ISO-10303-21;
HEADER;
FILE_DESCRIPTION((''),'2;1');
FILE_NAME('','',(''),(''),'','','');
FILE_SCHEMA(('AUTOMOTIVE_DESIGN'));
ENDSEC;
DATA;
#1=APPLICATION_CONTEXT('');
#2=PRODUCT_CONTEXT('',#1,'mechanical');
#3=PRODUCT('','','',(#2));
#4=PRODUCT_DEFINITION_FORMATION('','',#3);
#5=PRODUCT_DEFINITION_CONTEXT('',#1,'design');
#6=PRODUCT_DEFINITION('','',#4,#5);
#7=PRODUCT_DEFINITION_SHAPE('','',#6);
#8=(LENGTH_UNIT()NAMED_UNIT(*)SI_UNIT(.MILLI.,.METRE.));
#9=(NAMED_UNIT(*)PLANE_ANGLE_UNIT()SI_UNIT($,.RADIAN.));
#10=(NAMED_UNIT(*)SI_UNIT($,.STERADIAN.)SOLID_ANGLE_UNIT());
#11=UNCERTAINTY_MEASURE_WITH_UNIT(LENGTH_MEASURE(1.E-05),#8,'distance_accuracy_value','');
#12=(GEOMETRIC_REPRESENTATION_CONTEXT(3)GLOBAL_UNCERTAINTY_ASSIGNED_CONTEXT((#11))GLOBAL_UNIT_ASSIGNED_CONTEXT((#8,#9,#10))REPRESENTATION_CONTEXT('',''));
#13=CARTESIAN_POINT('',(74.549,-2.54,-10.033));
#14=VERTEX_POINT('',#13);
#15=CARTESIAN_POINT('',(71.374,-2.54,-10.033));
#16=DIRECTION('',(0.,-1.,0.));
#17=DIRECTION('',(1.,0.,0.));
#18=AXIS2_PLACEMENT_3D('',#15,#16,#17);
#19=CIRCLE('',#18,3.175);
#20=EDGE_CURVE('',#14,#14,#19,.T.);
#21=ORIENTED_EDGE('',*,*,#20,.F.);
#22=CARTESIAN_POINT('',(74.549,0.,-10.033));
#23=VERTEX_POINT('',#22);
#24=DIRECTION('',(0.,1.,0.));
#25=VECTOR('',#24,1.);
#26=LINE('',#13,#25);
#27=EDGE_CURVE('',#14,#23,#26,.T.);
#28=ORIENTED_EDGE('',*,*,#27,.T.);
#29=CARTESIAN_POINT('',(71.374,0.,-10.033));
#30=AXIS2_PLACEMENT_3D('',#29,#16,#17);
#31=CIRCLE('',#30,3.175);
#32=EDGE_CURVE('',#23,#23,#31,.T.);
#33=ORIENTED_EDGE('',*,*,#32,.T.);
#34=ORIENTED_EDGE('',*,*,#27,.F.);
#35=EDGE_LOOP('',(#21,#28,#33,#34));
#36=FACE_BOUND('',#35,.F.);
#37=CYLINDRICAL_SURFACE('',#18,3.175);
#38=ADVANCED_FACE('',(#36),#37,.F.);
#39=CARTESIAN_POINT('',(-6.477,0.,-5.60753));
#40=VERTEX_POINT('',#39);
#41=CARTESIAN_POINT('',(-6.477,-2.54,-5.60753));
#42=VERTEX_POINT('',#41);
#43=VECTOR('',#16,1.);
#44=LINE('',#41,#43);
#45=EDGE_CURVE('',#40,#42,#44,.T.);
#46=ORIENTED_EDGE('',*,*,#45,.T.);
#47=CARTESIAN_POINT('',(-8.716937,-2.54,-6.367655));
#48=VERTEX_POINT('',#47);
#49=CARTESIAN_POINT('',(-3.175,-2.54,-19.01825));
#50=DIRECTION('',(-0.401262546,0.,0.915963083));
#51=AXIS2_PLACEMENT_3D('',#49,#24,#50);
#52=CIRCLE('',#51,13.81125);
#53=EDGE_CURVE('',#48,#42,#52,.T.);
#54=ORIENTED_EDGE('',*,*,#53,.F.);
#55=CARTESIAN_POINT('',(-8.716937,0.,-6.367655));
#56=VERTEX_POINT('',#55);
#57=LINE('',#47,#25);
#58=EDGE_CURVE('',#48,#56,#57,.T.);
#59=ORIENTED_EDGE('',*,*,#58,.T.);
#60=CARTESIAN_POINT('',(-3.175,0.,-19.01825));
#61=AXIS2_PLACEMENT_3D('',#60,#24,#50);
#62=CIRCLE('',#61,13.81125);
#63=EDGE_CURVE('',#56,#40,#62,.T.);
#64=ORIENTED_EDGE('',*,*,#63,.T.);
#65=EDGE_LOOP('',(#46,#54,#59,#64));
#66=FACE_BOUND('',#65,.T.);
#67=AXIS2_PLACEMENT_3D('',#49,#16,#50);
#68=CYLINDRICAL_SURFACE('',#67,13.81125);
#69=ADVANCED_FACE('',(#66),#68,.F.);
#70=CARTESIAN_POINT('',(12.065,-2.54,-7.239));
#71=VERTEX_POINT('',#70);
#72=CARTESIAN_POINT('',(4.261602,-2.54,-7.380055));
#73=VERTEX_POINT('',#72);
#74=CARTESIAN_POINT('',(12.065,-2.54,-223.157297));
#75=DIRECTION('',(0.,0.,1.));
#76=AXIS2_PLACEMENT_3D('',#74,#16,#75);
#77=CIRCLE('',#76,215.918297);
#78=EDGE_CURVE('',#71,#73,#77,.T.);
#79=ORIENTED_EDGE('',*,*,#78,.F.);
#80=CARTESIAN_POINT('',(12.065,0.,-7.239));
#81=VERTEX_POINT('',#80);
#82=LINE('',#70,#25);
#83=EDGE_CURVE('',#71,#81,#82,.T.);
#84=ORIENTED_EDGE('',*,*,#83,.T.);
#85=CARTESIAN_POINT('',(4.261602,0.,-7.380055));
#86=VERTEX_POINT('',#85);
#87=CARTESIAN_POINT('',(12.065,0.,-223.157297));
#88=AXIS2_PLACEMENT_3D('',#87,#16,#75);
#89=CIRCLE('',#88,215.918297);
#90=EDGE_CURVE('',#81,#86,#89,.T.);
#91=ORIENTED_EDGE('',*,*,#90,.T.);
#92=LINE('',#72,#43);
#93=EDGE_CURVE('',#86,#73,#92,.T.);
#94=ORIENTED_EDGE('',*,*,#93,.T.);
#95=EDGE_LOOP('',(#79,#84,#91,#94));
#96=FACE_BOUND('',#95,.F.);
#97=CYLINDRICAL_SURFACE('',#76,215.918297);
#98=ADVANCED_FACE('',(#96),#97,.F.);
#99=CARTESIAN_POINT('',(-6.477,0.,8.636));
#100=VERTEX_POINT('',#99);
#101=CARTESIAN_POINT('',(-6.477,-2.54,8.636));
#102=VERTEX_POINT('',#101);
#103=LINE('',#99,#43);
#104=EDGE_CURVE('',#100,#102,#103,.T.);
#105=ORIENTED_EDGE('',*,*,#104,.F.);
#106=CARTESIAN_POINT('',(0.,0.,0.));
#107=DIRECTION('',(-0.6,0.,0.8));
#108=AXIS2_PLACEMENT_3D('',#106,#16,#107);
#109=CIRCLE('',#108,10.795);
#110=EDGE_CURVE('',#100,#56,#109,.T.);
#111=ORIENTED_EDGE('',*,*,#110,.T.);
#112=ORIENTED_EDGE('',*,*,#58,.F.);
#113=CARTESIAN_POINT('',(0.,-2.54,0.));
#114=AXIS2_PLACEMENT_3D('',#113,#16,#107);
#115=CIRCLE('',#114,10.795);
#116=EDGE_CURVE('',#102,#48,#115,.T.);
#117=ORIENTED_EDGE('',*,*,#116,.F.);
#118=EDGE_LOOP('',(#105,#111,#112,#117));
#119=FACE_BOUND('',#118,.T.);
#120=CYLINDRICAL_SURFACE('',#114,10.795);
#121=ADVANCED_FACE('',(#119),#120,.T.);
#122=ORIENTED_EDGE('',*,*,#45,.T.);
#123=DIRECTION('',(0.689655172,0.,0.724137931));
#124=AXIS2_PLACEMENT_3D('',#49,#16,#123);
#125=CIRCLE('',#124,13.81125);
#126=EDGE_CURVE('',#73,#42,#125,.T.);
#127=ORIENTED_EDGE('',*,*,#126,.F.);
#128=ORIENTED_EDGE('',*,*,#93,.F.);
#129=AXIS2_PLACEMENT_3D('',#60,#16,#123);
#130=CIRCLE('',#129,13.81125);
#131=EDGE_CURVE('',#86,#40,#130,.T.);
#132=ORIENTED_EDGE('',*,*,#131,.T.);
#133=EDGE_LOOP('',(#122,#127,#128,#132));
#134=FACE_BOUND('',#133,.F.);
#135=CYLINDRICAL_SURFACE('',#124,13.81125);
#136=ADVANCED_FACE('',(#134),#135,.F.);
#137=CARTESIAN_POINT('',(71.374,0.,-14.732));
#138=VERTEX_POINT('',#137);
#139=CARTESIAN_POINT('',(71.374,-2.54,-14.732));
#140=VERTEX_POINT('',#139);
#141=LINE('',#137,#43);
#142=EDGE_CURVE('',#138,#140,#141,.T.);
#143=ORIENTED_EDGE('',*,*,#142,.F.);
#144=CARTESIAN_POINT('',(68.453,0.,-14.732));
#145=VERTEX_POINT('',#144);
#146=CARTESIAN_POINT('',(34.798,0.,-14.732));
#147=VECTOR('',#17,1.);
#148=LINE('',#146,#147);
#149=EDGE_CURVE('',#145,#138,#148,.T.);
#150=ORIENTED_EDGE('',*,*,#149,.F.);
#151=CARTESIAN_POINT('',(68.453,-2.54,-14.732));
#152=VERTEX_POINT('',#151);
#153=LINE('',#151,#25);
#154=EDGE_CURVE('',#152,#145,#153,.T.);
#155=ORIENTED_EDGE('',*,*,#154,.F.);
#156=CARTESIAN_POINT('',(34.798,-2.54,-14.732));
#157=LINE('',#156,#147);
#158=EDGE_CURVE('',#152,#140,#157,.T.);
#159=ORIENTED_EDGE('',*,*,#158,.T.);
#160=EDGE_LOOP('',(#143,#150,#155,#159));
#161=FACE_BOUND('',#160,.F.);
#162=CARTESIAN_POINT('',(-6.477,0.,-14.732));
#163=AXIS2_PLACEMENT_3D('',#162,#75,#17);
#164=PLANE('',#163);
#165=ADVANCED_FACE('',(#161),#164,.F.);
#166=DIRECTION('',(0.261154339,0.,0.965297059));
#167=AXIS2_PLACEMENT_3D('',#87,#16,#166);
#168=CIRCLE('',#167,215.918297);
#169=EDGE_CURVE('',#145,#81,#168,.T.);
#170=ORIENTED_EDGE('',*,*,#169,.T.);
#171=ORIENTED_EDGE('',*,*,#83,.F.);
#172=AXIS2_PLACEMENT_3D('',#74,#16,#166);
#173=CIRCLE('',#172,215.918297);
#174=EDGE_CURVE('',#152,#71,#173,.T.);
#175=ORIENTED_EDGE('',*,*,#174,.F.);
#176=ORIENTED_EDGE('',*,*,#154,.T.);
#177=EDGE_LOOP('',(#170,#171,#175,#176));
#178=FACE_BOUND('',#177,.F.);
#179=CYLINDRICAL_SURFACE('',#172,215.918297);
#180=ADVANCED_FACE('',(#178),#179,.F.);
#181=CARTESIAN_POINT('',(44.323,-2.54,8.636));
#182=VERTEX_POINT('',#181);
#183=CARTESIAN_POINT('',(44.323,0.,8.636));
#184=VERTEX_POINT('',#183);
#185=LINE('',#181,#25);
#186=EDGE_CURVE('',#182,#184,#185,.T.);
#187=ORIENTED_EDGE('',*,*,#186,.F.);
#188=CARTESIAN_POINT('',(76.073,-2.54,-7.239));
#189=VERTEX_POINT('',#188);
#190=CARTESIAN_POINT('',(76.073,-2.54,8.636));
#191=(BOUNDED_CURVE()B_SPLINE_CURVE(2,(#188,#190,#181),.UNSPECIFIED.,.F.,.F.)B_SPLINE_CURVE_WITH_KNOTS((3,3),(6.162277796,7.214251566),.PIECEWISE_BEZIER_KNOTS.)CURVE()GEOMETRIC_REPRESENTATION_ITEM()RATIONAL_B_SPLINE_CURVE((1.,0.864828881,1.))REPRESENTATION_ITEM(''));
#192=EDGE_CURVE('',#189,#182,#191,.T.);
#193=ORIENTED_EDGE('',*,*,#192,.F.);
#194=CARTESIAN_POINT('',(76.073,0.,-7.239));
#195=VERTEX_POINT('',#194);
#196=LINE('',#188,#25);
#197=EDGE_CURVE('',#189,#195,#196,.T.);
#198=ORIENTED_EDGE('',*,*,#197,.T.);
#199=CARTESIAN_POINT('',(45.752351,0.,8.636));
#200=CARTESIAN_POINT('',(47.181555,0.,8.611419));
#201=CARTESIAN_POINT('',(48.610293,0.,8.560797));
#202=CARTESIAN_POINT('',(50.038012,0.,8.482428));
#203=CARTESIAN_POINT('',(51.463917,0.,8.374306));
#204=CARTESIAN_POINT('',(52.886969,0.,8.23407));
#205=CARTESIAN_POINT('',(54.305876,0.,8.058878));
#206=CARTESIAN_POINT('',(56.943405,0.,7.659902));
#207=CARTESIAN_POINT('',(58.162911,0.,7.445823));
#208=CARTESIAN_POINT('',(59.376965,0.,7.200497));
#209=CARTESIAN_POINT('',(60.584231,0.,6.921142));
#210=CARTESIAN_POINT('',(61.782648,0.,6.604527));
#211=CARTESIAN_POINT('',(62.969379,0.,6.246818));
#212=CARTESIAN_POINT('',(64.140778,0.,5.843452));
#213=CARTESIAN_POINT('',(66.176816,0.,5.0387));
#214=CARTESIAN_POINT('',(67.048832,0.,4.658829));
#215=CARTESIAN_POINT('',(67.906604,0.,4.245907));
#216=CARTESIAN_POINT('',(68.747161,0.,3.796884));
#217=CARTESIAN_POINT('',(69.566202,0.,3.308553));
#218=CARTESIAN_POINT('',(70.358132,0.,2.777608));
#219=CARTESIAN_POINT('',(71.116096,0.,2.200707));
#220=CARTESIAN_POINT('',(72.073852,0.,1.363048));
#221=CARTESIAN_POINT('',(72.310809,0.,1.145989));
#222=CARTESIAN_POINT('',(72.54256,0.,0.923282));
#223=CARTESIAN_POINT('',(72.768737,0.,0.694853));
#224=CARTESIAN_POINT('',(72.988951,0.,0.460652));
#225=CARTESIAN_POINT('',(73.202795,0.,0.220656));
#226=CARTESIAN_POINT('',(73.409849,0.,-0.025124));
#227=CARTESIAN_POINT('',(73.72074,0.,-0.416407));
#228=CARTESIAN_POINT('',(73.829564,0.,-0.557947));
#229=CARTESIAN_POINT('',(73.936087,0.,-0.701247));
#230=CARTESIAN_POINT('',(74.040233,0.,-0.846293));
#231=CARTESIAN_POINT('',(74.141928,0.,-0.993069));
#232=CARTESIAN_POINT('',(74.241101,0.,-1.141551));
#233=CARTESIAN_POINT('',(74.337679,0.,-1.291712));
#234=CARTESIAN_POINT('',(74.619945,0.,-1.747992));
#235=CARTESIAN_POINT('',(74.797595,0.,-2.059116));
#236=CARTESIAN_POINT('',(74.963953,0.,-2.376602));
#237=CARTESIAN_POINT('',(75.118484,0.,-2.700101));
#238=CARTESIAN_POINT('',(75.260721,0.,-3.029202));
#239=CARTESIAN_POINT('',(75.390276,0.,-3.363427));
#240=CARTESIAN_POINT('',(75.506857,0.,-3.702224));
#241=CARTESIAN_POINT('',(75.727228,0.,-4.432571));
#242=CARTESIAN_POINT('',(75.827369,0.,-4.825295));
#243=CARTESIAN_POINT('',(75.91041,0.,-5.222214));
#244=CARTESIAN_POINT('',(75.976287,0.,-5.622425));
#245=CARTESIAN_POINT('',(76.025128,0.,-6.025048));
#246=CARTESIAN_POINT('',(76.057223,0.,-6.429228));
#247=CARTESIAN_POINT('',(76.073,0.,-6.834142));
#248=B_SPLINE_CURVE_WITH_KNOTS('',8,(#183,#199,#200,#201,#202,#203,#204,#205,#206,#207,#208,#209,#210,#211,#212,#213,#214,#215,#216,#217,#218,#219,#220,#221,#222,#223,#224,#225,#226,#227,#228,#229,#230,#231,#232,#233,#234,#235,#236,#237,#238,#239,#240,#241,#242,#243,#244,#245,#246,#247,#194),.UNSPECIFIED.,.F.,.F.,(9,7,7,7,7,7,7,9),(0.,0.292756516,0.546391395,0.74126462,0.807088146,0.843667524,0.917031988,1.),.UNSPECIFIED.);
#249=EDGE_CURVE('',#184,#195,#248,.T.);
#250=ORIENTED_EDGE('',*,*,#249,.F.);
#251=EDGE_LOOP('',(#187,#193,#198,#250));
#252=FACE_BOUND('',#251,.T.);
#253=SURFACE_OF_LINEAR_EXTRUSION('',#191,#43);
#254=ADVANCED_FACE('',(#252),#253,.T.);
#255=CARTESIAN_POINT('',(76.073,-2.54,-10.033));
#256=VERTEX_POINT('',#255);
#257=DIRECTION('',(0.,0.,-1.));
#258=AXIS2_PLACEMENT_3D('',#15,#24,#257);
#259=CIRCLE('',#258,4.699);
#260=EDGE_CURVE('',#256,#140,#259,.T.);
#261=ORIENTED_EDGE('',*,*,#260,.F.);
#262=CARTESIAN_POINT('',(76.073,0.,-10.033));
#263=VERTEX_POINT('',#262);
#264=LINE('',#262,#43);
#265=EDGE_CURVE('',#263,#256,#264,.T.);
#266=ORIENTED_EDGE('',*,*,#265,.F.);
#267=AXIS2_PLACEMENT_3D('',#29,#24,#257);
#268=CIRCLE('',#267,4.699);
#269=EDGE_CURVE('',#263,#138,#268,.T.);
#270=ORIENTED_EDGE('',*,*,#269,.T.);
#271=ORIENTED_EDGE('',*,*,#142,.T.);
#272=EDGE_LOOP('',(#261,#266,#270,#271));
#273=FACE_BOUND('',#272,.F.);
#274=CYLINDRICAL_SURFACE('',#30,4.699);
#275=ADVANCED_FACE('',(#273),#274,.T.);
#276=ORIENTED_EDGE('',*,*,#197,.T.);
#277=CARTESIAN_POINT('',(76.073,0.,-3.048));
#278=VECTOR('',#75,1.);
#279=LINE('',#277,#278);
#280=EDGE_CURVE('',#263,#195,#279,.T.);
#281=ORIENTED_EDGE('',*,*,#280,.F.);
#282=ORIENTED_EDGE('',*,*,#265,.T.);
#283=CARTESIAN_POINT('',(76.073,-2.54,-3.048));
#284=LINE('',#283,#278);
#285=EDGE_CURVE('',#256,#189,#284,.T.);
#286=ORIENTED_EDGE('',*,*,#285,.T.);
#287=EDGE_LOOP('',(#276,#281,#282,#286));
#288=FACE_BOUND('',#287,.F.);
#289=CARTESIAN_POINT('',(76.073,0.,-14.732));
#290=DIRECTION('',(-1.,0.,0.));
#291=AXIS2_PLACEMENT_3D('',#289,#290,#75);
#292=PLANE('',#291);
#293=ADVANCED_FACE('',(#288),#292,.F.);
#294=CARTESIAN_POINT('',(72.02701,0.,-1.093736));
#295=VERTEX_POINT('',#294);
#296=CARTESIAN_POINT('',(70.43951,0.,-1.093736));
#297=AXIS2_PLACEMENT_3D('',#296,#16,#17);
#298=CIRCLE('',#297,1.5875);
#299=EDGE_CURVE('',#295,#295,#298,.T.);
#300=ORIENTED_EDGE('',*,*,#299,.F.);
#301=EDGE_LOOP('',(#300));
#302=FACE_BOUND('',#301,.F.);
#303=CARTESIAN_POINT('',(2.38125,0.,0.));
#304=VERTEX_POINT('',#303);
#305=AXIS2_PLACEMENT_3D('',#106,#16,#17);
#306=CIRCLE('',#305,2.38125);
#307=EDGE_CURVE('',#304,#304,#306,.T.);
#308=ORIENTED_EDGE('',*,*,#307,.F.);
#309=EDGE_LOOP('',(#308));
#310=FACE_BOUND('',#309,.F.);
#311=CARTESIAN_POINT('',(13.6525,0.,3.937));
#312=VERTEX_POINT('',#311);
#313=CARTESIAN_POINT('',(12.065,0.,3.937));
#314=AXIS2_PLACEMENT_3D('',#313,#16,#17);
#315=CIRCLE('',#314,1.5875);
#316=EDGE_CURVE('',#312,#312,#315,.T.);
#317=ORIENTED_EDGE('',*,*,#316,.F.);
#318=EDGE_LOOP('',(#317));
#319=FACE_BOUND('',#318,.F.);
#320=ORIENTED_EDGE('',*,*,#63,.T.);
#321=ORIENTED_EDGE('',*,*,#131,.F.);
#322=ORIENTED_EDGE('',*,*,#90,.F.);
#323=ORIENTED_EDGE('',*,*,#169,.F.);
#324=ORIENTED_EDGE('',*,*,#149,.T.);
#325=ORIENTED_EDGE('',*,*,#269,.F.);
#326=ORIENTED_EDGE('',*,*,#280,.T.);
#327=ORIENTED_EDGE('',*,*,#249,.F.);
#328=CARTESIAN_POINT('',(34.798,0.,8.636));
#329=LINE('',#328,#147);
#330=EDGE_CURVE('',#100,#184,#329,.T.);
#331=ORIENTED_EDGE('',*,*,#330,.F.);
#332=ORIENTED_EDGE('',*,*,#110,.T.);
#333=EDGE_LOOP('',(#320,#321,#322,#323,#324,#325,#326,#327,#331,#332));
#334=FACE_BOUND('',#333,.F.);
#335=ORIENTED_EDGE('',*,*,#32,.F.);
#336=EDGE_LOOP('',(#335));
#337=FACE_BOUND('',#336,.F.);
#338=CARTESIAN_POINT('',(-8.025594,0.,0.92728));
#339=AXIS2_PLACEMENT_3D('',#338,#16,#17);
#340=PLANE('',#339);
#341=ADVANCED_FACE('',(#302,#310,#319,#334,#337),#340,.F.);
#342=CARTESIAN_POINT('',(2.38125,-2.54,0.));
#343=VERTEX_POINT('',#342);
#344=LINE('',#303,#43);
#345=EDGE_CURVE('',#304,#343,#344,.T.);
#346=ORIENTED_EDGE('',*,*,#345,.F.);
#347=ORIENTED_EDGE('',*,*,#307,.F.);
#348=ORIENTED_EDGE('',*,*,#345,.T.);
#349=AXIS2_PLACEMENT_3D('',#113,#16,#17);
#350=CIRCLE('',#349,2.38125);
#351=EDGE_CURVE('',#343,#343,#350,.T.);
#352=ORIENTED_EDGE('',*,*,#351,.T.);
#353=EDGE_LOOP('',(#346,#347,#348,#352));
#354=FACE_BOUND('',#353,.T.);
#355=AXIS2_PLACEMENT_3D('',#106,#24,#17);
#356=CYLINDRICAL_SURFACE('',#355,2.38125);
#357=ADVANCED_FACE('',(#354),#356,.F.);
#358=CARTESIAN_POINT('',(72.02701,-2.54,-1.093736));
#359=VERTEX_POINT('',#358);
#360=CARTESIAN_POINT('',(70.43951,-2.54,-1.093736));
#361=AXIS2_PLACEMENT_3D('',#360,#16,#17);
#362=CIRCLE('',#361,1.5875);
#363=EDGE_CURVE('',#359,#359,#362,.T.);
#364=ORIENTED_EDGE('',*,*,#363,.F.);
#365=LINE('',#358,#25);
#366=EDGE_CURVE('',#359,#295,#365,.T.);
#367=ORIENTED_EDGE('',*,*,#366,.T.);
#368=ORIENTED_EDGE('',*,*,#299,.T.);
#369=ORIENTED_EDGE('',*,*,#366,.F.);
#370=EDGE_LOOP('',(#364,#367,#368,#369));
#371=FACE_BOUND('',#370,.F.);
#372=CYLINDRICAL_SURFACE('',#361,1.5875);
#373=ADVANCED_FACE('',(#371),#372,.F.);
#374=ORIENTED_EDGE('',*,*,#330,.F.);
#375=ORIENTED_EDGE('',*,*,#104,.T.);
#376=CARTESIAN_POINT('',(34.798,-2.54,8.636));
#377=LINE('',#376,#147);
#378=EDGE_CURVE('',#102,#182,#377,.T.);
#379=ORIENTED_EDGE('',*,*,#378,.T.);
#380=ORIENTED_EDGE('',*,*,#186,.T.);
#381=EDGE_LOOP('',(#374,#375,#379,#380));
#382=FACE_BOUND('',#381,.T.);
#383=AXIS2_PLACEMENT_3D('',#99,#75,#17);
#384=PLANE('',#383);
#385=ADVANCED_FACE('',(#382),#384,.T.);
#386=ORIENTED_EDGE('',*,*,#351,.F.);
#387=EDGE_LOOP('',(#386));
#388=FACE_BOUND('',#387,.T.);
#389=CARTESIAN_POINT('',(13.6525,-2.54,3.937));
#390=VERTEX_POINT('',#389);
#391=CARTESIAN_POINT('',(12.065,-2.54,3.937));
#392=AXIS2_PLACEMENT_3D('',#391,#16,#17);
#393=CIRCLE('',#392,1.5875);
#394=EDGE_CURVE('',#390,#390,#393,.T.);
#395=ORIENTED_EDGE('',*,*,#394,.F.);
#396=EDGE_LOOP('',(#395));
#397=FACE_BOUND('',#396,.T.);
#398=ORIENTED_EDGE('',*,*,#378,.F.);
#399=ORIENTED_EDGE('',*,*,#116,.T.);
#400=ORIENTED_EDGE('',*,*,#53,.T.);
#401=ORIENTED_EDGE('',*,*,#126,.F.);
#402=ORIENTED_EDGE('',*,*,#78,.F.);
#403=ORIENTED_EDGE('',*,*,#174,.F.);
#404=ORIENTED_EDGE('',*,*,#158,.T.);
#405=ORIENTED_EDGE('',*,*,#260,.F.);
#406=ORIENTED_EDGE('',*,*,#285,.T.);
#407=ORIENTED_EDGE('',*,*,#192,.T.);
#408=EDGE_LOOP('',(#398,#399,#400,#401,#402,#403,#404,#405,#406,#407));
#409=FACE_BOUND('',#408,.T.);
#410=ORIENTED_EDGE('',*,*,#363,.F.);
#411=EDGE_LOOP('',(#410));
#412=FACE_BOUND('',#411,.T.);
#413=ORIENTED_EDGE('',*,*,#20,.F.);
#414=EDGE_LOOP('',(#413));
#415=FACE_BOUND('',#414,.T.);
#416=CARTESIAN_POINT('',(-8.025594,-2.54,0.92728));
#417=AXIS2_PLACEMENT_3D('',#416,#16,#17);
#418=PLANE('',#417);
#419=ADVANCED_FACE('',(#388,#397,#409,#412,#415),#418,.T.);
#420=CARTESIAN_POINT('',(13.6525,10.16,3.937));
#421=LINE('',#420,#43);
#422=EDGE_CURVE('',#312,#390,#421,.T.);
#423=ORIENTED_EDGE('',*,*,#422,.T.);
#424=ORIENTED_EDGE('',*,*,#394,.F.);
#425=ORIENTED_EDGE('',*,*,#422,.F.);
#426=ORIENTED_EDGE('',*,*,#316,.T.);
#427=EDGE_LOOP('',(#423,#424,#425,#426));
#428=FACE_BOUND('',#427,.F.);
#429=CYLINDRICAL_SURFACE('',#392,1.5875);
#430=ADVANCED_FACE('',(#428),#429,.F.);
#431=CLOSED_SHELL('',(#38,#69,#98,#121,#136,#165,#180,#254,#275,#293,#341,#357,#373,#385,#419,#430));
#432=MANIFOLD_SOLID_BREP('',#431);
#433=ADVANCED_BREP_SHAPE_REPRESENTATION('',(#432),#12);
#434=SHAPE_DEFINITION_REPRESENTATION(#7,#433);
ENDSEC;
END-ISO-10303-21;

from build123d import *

# Parameters (mm, degrees)
F0_W      = 82.55
F0_H      = 23.368
F0_R      = 2.38125
F1_DEPTH  = 2.54
F2_R      = 1.5875
F3_DEPTH  = 12.7
F5_DEPTH  = 2.541
F7_DEPTH  = 2.5410001
F8_R      = 4.699
F10_DEPTH = 2.54
F11_R     = 3.175
F11_R_2   = 1.5875
F12_DEPTH = 2.5410001


with BuildPart() as f1:
    # F0 (on Front) → F1 (new body)
    with BuildSketch(Plane.XZ):
        with Locations((34.798, -3.048)):
            Rectangle(F0_W, F0_H)
        Circle(F0_R, mode=Mode.SUBTRACT)
    extrude(amount=F1_DEPTH)

    # F2 (on face) → F3 (cut, symmetric)
    with BuildSketch(Plane.XZ.offset(2.54)):
        with Locations((12.065, 3.937)):
            Circle(F2_R)
    extrude(amount=F3_DEPTH, both=True, mode=Mode.SUBTRACT)

    # F4 (on face) → F5 (cut, through all)
    with BuildSketch(Plane.XZ.offset(2.54)):
        with BuildLine():
            ThreePointArc((68.453, -14.732), (40.5068335951, -9.1204471828), (12.065, -7.239))
            ThreePointArc((12.065, -7.239), (2.7854261498, -7.4384974289), (-6.477, -8.0366210649))
            Line((-6.477, -8.0366210649), (-6.477, -14.732))
            Line((-6.477, -14.732), (68.453, -14.732))
        make_face()
        with BuildLine():
            add(Edge.make_bspline(
                [(76.073, -7.239), (76.073, 8.636), (44.323, 8.636)],
                knots=[6.1622777964, 6.1622777964, 6.1622777964, 7.2142515659, 7.2142515659, 7.2142515659], degree=2, weights=[1, 0.8648288808, 1]))
            Line((76.073, -7.239), (76.073, 8.636))
            Line((76.073, 8.636), (44.323, 8.636))
        make_face()
    extrude(amount=-F5_DEPTH, mode=Mode.SUBTRACT)

    # F6 (on face) → F7 (cut, through all)
    with BuildSketch(Plane.XZ.offset(2.54)):
        with BuildLine():
            Line((-12.7, -9.017), (6.35, -9.017))
            ThreePointArc((6.35, -9.017), (-3.175, -5.207), (-12.7, -9.017))
        make_face()
    extrude(amount=-F7_DEPTH, mode=Mode.SUBTRACT)

    # F8
    f8_edges = [f1.edges().sort_by_distance(p)[0] for p in [
        (76.073, -1.27, -14.732),
    ]]
    fillet(f8_edges, radius=F8_R)

    # F9 (on face) → F10 (join)
    with BuildSketch(Plane.XZ.offset(2.54)):
        with BuildLine():
            Line((-6.477, -5.6075295659), (-6.477, 8.636))
            ThreePointArc((-6.477, 8.636), (-10.6766730669, 1.5939501943), (-8.7169373329, -6.3676548693))
            ThreePointArc((-8.7169373329, -6.3676548693), (-7.6132715674, -5.9395508271), (-6.477, -5.6075295659))
        make_face()
    extrude(amount=-F10_DEPTH)

    # F11 (on face) → F12 (cut, through all)
    with BuildSketch(Plane.XZ.offset(2.54)):
        with Locations((71.374, -10.033)):
            Circle(F11_R)
        with Locations((70.4395100474, -1.0937360348)):
            Circle(F11_R_2)
    extrude(amount=-F12_DEPTH, mode=Mode.SUBTRACT)


solid = f1.part
